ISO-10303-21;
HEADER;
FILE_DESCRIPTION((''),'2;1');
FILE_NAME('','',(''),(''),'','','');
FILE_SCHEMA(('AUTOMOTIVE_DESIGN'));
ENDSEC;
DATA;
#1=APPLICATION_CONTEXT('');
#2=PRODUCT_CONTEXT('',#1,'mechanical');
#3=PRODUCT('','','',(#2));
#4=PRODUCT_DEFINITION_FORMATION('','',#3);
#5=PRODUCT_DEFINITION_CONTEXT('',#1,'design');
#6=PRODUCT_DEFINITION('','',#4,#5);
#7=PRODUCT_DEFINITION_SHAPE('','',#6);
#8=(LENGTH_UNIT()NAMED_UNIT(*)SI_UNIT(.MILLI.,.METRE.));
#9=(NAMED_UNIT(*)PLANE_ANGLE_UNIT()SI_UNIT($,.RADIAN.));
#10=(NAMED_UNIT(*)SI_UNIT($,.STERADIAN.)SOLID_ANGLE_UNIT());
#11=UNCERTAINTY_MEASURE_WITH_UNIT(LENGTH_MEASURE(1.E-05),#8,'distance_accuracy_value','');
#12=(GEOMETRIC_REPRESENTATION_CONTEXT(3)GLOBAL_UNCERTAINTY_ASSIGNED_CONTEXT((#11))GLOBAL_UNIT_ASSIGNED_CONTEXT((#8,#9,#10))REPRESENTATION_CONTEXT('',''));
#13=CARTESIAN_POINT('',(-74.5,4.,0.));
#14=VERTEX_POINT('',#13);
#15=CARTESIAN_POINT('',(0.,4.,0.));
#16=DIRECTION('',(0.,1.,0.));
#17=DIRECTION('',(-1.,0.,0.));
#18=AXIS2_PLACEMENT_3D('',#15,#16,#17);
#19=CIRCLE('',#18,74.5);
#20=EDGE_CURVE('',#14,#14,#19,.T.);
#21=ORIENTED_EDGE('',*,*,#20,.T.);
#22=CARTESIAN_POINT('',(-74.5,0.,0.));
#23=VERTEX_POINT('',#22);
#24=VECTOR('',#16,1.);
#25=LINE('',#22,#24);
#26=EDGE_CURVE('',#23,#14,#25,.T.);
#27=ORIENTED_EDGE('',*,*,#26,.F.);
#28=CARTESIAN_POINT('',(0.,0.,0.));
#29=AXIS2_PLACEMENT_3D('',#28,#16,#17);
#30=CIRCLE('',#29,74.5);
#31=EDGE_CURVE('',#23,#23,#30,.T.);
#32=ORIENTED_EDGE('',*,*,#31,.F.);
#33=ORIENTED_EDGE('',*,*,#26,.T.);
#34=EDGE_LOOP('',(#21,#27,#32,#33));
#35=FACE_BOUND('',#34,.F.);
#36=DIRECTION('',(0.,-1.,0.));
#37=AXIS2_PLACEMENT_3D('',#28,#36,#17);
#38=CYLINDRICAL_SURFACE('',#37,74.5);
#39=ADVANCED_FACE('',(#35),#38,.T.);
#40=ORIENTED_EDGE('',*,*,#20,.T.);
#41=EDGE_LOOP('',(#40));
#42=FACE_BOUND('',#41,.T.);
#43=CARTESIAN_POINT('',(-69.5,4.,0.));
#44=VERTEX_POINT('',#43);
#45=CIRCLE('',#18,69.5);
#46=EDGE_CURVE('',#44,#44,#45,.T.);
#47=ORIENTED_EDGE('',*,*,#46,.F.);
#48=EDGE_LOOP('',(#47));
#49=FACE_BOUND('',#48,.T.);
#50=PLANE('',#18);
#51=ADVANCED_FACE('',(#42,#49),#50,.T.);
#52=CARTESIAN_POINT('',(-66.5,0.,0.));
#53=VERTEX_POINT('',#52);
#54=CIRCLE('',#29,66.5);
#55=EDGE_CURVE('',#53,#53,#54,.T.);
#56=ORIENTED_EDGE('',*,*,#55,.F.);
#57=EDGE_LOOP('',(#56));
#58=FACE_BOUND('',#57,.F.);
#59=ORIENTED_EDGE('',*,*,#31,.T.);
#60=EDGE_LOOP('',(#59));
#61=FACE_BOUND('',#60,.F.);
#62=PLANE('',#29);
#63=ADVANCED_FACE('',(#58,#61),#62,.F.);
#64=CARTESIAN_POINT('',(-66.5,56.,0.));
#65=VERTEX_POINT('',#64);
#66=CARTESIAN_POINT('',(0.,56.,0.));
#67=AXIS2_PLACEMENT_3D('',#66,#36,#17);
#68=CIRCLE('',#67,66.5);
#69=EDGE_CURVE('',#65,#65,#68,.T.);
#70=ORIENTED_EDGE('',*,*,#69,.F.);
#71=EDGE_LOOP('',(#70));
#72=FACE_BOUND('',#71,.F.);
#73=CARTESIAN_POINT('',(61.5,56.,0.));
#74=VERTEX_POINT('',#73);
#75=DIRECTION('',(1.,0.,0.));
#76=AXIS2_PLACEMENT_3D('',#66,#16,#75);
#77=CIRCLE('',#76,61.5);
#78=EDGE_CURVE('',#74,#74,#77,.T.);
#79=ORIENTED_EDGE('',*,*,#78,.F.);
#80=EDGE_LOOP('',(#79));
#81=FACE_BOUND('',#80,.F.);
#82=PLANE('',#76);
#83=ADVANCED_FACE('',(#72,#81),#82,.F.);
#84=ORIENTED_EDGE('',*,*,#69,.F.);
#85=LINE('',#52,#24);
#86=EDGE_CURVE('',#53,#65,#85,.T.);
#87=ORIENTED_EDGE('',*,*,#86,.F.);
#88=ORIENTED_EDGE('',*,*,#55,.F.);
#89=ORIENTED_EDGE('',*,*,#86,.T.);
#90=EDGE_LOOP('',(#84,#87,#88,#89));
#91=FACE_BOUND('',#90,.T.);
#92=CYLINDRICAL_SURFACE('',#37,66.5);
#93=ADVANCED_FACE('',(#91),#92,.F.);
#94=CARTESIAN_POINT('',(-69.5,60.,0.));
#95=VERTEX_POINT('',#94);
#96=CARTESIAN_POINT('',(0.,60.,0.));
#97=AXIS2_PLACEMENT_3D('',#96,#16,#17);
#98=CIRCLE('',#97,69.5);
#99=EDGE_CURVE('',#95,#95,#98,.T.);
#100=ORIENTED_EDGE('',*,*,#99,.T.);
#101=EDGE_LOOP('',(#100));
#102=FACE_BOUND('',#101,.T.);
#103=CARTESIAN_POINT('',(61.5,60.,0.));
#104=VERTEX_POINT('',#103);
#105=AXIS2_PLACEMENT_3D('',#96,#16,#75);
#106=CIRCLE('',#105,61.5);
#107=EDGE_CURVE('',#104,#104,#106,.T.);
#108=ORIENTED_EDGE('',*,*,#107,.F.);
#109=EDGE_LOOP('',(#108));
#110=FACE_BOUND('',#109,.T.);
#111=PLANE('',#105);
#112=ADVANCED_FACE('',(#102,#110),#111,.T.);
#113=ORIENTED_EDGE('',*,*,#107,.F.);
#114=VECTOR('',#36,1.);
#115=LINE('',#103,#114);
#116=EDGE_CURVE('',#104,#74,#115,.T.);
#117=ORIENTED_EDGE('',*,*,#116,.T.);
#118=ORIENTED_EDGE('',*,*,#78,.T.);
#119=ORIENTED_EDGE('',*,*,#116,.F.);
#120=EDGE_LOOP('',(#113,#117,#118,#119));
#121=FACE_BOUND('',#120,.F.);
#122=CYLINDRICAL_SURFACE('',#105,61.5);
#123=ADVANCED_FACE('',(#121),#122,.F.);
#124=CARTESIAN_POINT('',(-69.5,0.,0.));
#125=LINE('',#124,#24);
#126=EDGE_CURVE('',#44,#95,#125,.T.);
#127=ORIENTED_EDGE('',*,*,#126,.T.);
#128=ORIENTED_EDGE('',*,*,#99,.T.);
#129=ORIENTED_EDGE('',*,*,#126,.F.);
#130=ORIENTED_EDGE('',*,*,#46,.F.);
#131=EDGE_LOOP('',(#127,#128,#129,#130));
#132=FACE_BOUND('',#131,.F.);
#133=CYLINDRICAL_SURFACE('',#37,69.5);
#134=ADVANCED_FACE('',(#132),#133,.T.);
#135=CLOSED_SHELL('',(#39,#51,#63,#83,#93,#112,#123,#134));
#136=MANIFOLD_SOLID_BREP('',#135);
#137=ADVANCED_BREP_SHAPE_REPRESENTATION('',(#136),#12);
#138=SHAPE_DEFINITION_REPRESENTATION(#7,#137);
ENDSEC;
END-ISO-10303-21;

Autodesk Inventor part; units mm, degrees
ref_plane "YZ Plane" through (0, 0, 0) normal (1, 0, 0) x (0, 1, 0)
ref_plane "XZ Plane" through (0, 0, 0) normal (0, 1, 0) x (-1, 0, 0)
sketch "Sketch1" plane through (0, 0, 0) normal (0, 1, 0) x (-1, 0, 0)
  circle A0 centre (0, 0) radius 74.5
  circle A1 centre (0, 0) radius 69.5
  circle A2 centre (0, 0) radius 66.5
  dimension "Absolute_Diameter" = 149
  dimension "Diameter_No_Outer_Lip" = 139
  dimension "Inner_Cylinder_Diameter" = 133
extrude "Extrusion1" add sketch "Sketch1" along normal blind 4 contours A0
extrude "Extrusion2" add sketch "Sketch1" along normal blind 60 contours A1
sketch "Sketch2" plane through (0, 60, 0) normal (0, 1, 0) x (1, 0, 0)
  circle A0 centre (0, 0) radius 61.5
  circle A1 centre (0, 0) radius 66.5
  dimension "Lip_Diameter_Out" = 123
  dimension "Top_Outer_Lip_Diameter" = 133
extrude "Extrusion7" add sketch "Sketch2" against normal blind 4
ref_plane "Work Plane2" through (0, 10, 0) normal (0, 1, 0) x (1, 0, 0)
sketch "Sketch3" plane through (0, 10, 0) normal (0, 1, 0) x (1, 0, 0)
  circle A0 centre (0, 0) radius 127.5
  circle A1 centre (-127.5, 0) radius 2.5
  circle A2 centre (-103.1497, -74.9426) radius 2.5
  circle A3 centre (-39.3997, -121.2597) radius 2.5
  circle A4 centre (39.3997, -121.2597) radius 2.5
  circle A5 centre (103.1497, -74.9426) radius 2.5
  circle A6 centre (127.5, 0) radius 2.5
  circle A7 centre (103.1497, 74.9426) radius 2.5
  circle A8 centre (39.3997, 121.2597) radius 2.5
  circle A9 centre (-39.3997, 121.2597) radius 2.5
  circle A10 centre (-103.1497, 74.9426) radius 2.5
  dimension "d27" = 255
  dimension "d28" = 5
  dimension "d31" = 360
extrude "Extrusion8" [suppressed]
sketch "Sketch24" plane through (0, 60, 0) normal (0, 1, 0) x (1, 0, 0)
  circle A0 centre (0, 0) radius 51
  circle A1 centre (0, -51) radius 2.75
  circle A2 centre (44.1673, -25.5) radius 2.75
  circle A3 centre (44.1673, 25.5) radius 2.75
  circle A4 centre (0, 51) radius 2.75
  circle A5 centre (-44.1673, 25.5) radius 2.75
  circle A6 centre (-44.1673, -25.5) radius 2.75
  dimension "d230" = 102
  dimension "d231" = 5.5
  dimension "d234" = 360
extrude "Extrusion30" [suppressed]
sketch "Sketch25" plane through (0, 60, 0) normal (0, 1, 0) x (1, 0, 0)
  point P0 (0, 0)
sketch "Sketch26" plane through (0, 60, 0) normal (0, 1, 0) x (1, 0, 0)
  circle A0 centre (-44.1673, 25.5) radius 2.75 projected
  circle A1 centre (0, 0) radius 51
  circle A2 centre (-51, 0) radius 3.25
  circle A3 centre (-25.5, -44.1673) radius 3.25
  circle A4 centre (25.5, -44.1673) radius 3.25
  circle A5 centre (51, 0) radius 3.25
  circle A6 centre (25.5, 44.1673) radius 3.25
  circle A7 centre (-25.5, 44.1673) radius 3.25
  dimension "d239" = 6.5
  dimension "d242" = 360
extrude "Extrusion31" [suppressed]
properties part number "Cylinder Replacement- 10"
